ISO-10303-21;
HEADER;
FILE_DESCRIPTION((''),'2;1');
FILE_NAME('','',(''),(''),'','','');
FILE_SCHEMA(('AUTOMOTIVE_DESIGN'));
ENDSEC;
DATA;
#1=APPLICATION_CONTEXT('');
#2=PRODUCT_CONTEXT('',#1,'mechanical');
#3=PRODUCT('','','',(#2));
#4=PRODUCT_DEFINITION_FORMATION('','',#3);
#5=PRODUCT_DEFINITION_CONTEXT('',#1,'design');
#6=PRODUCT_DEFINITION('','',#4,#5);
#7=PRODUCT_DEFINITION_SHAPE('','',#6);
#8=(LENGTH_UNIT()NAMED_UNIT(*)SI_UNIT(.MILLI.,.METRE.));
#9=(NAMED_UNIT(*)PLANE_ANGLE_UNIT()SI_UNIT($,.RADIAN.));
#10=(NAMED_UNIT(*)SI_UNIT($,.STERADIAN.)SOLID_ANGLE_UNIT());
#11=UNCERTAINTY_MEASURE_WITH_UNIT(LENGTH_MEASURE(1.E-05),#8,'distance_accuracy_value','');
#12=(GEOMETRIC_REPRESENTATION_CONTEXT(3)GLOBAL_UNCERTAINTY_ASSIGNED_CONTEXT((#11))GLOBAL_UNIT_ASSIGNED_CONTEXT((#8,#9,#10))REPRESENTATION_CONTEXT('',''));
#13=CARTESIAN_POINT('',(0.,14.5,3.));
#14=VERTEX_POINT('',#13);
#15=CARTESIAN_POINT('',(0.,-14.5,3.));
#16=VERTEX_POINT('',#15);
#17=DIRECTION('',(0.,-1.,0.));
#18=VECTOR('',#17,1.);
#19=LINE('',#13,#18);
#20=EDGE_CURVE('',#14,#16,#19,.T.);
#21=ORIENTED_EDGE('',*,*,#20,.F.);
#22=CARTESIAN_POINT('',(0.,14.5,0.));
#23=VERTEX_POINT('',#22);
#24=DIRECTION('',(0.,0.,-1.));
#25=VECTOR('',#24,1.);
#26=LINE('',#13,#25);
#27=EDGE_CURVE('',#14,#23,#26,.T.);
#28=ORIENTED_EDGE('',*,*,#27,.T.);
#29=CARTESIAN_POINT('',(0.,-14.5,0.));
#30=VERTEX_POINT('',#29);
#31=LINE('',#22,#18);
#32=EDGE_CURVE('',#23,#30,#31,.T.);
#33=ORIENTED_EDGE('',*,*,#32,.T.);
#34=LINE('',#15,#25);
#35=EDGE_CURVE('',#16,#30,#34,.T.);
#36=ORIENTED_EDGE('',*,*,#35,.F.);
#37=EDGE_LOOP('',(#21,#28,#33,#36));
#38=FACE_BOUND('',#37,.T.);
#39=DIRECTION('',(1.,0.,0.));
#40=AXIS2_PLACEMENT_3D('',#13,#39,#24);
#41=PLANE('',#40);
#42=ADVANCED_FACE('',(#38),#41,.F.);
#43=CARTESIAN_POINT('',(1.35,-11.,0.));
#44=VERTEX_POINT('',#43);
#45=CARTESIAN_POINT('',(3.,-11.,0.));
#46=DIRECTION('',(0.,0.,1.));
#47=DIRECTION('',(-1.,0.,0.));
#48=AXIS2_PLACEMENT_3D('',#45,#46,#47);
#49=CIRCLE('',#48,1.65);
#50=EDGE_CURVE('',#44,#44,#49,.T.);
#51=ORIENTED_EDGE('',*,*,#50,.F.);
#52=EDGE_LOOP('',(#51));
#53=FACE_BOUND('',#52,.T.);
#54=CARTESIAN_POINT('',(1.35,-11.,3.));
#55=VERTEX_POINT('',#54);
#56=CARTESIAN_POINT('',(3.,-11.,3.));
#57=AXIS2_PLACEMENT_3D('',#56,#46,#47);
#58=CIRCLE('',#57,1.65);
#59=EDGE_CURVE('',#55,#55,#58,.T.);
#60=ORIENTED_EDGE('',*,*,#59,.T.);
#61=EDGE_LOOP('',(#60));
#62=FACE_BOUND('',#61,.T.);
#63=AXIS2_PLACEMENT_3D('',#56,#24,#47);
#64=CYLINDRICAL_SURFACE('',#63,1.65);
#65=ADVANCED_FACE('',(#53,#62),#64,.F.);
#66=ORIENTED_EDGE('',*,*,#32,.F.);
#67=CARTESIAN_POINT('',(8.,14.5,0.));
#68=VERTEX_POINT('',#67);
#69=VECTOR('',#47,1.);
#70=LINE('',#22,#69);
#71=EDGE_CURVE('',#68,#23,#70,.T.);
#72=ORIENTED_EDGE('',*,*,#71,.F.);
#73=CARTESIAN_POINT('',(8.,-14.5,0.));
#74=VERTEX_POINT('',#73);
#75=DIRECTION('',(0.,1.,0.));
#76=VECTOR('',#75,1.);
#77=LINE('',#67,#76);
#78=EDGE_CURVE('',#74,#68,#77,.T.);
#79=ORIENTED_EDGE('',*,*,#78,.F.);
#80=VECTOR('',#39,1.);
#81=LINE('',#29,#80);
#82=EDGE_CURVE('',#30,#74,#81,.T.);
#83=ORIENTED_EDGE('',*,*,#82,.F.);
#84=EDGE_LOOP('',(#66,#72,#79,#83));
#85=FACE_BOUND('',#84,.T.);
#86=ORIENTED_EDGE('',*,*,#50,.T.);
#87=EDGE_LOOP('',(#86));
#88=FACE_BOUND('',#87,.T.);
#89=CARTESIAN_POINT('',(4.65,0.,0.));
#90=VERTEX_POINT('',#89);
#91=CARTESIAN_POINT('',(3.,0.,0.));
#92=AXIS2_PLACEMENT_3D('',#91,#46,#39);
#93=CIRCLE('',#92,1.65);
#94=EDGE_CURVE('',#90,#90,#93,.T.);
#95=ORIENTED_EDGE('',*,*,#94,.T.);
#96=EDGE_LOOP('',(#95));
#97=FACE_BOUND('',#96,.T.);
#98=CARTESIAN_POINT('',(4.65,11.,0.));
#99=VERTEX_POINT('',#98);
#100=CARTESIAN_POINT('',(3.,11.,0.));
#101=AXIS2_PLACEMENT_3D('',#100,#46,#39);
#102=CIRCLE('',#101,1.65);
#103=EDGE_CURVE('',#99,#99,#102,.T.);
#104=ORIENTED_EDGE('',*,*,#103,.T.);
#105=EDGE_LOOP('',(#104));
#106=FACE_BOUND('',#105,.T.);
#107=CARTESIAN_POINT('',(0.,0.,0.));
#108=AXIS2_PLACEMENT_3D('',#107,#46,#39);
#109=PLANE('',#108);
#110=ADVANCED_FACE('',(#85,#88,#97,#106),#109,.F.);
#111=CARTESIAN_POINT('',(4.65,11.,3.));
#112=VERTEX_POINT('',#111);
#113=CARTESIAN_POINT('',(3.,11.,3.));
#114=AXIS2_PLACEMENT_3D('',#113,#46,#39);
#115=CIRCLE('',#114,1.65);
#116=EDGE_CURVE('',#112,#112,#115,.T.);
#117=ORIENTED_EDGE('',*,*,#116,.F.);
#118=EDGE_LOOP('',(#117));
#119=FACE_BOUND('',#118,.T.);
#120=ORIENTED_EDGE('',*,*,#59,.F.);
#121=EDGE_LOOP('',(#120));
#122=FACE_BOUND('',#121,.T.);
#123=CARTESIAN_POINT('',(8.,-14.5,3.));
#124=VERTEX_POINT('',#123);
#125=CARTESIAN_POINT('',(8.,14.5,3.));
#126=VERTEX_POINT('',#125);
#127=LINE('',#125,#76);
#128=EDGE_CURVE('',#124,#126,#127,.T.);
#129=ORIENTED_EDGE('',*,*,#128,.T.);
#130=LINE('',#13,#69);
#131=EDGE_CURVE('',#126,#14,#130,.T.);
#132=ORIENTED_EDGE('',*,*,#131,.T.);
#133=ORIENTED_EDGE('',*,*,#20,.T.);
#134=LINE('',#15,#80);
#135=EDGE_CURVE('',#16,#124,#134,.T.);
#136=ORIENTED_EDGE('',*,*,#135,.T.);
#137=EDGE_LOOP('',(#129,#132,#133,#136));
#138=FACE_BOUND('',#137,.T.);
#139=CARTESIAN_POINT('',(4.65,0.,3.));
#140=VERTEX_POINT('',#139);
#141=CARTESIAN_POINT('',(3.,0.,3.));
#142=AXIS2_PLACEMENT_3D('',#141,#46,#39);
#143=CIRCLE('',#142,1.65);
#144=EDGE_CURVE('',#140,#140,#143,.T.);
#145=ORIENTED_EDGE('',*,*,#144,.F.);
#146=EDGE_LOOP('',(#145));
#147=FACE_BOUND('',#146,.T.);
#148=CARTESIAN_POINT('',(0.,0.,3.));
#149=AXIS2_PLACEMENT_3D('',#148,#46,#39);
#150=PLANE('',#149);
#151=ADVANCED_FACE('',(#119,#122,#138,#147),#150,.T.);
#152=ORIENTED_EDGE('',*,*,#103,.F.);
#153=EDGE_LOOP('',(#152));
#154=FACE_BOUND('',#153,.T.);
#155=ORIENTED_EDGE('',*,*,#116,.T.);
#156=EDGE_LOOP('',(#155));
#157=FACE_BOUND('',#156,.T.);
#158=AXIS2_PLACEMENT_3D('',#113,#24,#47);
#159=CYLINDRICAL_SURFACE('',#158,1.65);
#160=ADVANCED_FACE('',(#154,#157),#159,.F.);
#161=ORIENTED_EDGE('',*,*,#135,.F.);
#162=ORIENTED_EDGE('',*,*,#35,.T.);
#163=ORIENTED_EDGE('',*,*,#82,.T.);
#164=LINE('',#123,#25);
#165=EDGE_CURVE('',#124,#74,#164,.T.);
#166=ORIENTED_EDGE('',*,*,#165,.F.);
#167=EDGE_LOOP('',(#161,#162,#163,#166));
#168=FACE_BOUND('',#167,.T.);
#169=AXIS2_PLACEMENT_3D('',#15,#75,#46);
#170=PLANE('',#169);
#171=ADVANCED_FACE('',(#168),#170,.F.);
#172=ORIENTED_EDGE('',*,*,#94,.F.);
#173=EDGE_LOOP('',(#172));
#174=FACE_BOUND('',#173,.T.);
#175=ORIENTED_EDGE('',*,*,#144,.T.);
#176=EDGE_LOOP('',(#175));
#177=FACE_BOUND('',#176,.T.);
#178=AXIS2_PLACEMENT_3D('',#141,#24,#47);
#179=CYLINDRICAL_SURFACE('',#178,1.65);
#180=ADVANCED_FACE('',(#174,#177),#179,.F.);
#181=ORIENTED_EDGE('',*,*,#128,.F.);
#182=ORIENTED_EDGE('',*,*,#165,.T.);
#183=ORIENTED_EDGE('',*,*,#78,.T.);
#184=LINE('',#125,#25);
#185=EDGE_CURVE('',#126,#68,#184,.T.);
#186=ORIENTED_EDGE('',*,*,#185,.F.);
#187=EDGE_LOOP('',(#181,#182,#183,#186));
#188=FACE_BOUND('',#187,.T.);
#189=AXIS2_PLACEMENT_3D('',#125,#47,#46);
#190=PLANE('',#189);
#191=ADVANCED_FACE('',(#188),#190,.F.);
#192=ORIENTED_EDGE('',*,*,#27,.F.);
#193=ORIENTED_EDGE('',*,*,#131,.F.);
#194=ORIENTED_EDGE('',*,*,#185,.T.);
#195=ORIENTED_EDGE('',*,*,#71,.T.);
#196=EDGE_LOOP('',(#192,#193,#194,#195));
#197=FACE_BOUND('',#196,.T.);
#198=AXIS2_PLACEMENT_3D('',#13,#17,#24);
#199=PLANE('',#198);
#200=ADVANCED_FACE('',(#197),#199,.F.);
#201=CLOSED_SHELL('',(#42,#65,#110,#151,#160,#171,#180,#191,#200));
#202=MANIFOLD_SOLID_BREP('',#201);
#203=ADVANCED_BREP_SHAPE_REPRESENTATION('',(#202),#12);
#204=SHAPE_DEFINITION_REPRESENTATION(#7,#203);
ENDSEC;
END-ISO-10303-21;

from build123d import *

# Parameters (mm, degrees)
ESBO_O1_W                = 8
ESBO_O1_H                = 29
ESBO_O1_R                = 1.65
RESSALTO_EXTRUS_O1_DEPTH = 3


with BuildPart() as part:
    # Esboço1 → Ressalto-extrusão1 (new body)
    with BuildSketch(Plane.XY):
        with Locations((4, 0)):
            Rectangle(ESBO_O1_W, ESBO_O1_H)
        with Locations((3, 11)):
            Circle(ESBO_O1_R, mode=Mode.SUBTRACT)
        with Locations((3, 0)):
            Circle(ESBO_O1_R, mode=Mode.SUBTRACT)
        with Locations((3, -11)):
            Circle(ESBO_O1_R, mode=Mode.SUBTRACT)
    extrude(amount=RESSALTO_EXTRUS_O1_DEPTH)


solid = part.part
